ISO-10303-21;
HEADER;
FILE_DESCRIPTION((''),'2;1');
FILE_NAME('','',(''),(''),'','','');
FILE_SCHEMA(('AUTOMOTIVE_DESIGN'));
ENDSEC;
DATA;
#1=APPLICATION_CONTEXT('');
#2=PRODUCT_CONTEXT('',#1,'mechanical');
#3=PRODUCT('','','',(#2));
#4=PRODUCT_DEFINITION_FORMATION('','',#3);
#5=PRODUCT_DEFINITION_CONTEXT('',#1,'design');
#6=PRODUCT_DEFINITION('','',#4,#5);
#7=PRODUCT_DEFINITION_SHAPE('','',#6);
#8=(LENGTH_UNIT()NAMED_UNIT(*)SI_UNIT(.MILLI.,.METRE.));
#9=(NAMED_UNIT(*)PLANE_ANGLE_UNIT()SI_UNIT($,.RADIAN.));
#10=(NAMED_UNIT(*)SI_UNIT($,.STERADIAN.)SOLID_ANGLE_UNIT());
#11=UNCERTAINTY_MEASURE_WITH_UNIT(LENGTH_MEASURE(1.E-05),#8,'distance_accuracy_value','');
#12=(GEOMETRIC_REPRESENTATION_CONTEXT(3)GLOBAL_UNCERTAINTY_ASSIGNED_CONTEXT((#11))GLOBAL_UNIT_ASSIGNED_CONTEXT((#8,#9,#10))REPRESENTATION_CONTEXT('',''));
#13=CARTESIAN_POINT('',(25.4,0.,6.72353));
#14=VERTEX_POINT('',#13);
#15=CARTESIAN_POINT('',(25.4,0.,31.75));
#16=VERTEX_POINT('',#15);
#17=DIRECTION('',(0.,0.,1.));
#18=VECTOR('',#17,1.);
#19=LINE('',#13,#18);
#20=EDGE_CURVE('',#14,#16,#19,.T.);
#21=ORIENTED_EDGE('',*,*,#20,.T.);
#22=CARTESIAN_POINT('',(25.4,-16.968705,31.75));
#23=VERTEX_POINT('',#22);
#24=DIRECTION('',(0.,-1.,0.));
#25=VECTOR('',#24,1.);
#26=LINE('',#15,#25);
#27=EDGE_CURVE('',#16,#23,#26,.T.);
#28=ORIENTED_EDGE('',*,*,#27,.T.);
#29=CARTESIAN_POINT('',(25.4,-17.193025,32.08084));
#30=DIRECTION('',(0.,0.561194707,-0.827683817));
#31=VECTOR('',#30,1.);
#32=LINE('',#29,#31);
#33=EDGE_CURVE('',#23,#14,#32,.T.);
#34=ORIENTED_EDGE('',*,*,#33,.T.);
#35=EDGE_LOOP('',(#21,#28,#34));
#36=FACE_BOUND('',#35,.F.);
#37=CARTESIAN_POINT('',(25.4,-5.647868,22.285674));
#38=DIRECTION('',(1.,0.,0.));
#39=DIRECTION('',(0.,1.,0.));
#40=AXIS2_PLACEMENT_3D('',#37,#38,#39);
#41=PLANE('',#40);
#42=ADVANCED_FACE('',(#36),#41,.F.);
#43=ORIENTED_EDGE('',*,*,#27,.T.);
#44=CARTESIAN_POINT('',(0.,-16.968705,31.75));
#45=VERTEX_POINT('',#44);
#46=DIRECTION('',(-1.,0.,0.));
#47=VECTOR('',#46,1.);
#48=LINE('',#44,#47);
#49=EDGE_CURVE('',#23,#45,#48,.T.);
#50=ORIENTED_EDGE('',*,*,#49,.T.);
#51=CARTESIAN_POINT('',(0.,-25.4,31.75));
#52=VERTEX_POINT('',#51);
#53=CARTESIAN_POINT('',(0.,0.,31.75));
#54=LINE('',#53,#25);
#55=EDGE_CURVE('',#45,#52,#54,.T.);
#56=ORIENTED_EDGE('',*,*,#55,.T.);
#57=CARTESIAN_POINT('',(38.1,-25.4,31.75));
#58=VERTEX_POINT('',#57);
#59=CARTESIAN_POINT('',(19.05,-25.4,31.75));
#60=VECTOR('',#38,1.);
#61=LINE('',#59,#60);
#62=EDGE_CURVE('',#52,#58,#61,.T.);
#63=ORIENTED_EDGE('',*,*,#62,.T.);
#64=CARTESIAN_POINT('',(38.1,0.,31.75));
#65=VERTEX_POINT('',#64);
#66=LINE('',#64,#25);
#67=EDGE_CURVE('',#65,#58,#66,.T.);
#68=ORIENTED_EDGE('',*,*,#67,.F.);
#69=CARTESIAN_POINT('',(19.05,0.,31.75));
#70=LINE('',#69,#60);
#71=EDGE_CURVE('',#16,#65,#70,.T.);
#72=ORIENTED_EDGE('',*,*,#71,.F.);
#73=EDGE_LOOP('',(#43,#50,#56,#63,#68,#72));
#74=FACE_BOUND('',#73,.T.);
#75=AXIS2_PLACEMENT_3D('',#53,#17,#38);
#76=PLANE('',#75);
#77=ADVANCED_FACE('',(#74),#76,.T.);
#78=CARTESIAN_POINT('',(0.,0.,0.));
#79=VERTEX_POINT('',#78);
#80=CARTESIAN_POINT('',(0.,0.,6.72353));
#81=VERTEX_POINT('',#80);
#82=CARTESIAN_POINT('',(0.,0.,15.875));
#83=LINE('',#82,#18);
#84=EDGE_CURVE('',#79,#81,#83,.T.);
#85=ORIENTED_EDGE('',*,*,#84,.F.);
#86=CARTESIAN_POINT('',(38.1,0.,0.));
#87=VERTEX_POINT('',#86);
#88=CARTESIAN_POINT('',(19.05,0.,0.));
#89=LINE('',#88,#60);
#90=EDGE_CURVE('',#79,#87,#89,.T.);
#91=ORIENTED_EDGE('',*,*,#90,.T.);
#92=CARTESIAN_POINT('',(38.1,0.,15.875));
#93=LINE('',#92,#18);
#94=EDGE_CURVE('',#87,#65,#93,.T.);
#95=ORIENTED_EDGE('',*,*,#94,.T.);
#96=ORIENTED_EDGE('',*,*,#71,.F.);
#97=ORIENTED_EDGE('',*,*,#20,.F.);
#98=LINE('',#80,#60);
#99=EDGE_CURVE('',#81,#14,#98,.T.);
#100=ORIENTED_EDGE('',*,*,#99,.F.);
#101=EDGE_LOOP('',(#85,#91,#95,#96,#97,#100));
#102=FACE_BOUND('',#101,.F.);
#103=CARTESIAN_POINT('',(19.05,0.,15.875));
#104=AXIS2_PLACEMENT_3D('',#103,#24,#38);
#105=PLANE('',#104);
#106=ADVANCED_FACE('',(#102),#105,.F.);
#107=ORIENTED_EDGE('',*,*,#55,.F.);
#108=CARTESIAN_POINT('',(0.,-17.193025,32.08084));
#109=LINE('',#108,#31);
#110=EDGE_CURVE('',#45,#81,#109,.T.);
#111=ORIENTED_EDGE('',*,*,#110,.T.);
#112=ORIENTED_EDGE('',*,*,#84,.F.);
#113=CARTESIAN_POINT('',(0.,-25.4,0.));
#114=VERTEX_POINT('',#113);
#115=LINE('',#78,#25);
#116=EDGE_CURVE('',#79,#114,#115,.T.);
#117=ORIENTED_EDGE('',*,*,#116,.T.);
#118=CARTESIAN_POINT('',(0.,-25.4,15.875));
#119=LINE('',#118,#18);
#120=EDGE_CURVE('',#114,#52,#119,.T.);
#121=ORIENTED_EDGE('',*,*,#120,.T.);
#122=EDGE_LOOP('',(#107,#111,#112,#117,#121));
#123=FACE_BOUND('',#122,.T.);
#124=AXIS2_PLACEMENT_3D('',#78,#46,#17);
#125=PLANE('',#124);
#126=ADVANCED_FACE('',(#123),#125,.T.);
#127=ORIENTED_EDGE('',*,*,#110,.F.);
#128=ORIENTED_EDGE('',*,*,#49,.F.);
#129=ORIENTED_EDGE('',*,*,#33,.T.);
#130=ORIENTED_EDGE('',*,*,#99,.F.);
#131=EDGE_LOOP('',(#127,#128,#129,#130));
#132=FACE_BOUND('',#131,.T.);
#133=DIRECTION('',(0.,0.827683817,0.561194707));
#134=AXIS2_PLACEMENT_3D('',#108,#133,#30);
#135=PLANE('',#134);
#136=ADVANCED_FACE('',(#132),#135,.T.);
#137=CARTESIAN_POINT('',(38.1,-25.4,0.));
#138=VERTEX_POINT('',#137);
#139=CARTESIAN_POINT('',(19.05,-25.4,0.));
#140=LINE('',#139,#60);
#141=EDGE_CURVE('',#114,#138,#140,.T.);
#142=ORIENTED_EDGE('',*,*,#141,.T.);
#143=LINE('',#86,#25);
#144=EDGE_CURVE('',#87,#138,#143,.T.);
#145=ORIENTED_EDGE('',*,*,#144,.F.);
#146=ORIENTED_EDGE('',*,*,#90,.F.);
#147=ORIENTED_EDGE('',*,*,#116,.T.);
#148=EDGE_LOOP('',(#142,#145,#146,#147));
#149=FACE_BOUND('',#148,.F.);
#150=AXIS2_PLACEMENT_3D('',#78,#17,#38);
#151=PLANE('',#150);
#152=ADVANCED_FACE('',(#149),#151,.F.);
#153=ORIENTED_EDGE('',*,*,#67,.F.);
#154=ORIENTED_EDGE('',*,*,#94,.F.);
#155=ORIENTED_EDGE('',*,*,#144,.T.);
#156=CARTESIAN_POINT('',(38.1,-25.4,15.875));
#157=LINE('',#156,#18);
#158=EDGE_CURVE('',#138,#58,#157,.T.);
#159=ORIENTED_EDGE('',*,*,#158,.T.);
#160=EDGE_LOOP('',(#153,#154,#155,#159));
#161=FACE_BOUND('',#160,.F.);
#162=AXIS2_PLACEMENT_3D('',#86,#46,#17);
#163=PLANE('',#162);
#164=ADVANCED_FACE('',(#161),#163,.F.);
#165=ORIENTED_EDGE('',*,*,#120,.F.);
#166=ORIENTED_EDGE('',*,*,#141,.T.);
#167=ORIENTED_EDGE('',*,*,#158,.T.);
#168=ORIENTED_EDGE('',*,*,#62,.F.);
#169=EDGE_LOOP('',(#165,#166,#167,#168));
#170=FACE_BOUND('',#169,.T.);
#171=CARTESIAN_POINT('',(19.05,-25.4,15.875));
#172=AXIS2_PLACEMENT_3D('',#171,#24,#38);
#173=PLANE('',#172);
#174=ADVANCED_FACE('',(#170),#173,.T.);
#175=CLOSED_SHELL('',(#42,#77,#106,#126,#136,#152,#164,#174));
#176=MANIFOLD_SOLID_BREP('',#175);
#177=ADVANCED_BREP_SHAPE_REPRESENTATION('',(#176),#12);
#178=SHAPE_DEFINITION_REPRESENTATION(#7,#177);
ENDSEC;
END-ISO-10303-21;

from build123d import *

# Parameters (mm, degrees)
F0_W     = 38.1
F0_H     = 31.75
F1_DEPTH = 25.4
F3_DEPTH = 25.4
F4_DEPTH = 0.0543467271


with BuildPart() as f1:
    # F0 (on Front) → F1 (new body)
    with BuildSketch(Plane.XZ):
        with Locations((19.05, 15.875)):
            Rectangle(F0_W, F0_H)
    extrude(amount=F1_DEPTH)

    # F2 (on Right) → F3 (cut)
    with BuildSketch(Plane.YZ):
        Polygon((0, 31.696639955), (-17.193024978, 32.0808403194), (0, 6.7235296592), align=None)
    extrude(amount=F3_DEPTH, mode=Mode.SUBTRACT)

    # F4 (cut, through all): a face of the model
    f4_faces = [f1.faces().sort_by_distance(p)[0] for p in [
        (12.7, -1.1939350803, 31.7233199775),
    ]]
    extrude(f4_faces, amount=-F4_DEPTH, mode=Mode.SUBTRACT)


solid = f1.part
